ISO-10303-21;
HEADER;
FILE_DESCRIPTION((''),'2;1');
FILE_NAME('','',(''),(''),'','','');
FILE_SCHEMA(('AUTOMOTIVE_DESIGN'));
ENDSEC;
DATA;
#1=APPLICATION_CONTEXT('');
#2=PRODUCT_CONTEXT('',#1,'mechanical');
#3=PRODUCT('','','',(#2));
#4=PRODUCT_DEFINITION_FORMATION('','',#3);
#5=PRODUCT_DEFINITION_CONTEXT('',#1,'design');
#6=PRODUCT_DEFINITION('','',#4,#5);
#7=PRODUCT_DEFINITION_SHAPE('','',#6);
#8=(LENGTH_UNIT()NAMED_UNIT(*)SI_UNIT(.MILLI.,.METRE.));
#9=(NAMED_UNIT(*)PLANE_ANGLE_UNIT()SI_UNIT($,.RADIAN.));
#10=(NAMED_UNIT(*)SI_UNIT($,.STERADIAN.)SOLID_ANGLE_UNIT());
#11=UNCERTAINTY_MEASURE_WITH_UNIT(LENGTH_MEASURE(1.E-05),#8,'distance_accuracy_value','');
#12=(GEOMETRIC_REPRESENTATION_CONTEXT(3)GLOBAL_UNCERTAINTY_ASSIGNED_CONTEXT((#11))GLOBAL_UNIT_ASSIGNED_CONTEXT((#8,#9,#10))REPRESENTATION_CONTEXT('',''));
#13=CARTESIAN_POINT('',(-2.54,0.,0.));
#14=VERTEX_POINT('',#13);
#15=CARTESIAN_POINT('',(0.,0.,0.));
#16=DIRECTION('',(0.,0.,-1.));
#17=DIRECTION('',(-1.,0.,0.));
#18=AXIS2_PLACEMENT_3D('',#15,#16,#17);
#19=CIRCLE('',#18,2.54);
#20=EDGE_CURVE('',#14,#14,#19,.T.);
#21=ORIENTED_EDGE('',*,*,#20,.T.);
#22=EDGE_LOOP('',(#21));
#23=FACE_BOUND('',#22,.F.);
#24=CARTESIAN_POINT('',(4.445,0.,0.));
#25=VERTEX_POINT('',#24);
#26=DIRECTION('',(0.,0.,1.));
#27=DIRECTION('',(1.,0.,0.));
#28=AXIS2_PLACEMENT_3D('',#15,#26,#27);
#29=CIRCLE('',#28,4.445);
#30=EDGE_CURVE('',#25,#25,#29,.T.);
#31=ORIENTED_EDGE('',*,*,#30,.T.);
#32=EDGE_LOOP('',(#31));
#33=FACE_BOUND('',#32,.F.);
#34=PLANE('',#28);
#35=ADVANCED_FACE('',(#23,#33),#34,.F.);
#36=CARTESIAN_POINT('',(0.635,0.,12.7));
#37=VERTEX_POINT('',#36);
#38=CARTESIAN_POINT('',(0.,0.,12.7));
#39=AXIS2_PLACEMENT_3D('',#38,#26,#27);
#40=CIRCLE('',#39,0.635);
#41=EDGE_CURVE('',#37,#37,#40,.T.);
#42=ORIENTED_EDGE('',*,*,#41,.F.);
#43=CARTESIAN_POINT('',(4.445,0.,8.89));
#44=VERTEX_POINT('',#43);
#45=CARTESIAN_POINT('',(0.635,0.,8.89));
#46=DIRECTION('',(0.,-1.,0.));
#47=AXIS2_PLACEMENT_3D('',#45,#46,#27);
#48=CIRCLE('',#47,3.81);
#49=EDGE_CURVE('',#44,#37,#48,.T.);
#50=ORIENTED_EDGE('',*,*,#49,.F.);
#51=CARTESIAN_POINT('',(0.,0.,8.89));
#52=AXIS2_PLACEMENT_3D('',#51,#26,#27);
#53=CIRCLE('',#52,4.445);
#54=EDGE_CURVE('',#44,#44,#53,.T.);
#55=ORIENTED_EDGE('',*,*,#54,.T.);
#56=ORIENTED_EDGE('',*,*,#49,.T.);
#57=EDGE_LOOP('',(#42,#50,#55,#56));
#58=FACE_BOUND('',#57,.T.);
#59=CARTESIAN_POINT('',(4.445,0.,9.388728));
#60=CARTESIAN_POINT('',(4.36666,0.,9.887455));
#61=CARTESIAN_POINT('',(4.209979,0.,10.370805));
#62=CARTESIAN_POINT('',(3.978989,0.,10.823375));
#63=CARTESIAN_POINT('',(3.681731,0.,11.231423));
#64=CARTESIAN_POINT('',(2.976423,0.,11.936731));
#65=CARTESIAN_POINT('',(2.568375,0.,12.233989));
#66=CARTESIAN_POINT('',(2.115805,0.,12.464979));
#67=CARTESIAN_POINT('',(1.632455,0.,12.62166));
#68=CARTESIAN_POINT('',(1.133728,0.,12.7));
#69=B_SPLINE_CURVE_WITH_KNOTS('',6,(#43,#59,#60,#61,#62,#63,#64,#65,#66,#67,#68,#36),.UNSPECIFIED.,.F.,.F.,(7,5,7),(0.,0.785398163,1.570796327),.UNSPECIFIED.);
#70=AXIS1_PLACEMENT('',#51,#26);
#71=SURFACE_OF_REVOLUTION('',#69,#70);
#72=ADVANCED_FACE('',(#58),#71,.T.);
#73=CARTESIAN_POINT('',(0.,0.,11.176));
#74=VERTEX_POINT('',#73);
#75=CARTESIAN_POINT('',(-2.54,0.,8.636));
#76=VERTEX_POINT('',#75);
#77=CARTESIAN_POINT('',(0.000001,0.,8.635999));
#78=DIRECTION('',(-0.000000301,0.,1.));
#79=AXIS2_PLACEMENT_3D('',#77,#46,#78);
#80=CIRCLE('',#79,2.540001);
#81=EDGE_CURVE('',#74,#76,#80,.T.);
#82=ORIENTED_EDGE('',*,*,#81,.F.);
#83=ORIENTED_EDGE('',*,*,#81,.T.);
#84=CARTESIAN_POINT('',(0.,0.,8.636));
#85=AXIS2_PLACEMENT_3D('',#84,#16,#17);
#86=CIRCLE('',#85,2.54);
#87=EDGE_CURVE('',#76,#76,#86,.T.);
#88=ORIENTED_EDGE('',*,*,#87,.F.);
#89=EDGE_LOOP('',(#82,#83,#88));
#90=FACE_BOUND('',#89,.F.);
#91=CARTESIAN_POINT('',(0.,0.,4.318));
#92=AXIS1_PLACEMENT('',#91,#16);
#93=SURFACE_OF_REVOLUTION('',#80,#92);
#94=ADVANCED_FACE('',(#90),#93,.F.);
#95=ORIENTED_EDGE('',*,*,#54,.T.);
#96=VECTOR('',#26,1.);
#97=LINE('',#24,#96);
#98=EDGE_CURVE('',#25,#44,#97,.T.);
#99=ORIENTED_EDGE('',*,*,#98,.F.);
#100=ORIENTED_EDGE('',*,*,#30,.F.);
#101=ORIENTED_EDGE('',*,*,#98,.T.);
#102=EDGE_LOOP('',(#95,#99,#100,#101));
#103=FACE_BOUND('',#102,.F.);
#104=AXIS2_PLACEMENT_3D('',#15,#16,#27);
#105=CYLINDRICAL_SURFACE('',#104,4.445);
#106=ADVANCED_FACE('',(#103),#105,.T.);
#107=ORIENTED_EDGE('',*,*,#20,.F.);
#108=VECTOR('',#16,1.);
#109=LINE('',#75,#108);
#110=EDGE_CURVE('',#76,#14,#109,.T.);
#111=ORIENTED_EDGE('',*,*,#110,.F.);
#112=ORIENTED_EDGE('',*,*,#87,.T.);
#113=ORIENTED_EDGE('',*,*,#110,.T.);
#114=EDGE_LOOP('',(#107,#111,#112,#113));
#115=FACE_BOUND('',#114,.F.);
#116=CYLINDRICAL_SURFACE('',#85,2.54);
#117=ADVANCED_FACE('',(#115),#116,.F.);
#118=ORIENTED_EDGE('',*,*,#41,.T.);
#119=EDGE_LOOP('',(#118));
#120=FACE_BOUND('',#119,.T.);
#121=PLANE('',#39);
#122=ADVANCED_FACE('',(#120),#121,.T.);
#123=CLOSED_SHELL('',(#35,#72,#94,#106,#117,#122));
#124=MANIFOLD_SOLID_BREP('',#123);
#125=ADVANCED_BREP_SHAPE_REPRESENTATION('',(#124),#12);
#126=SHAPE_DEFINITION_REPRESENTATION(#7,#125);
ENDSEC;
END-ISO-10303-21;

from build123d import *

# Parameters (mm, degrees)
F0_R     = 4.445
F1_DEPTH = 12.7
F2_R     = 3.81


with BuildPart() as f1:
    # F0 (on Top) → F1 (new body)
    with BuildSketch(Plane.XY):
        Circle(F0_R)
    extrude(amount=F1_DEPTH)

    # F2
    f2_edges = [f1.edges().sort_by_distance(p)[0] for p in [
        (-4.445, 0, 12.7),
    ]]
    fillet(f2_edges, radius=F2_R)

    # F3 (on Front) → F4 (revolve, cut)
    with BuildSketch(Plane.XZ):
        with BuildLine():
            Line((-2.54, 0), (0, 0))
            Line((0, 0), (0, 8.636))
            Line((0, 8.636), (0, 11.176))
            ThreePointArc((0, 11.176), (-1.796051, 10.432051), (-2.54, 8.636))
            Line((-2.54, 8.636), (-2.54, 0))
        make_face()
    revolve(axis=Axis((0, 0, 4.318), (0, 0, -1)), mode=Mode.SUBTRACT)


solid = f1.part
